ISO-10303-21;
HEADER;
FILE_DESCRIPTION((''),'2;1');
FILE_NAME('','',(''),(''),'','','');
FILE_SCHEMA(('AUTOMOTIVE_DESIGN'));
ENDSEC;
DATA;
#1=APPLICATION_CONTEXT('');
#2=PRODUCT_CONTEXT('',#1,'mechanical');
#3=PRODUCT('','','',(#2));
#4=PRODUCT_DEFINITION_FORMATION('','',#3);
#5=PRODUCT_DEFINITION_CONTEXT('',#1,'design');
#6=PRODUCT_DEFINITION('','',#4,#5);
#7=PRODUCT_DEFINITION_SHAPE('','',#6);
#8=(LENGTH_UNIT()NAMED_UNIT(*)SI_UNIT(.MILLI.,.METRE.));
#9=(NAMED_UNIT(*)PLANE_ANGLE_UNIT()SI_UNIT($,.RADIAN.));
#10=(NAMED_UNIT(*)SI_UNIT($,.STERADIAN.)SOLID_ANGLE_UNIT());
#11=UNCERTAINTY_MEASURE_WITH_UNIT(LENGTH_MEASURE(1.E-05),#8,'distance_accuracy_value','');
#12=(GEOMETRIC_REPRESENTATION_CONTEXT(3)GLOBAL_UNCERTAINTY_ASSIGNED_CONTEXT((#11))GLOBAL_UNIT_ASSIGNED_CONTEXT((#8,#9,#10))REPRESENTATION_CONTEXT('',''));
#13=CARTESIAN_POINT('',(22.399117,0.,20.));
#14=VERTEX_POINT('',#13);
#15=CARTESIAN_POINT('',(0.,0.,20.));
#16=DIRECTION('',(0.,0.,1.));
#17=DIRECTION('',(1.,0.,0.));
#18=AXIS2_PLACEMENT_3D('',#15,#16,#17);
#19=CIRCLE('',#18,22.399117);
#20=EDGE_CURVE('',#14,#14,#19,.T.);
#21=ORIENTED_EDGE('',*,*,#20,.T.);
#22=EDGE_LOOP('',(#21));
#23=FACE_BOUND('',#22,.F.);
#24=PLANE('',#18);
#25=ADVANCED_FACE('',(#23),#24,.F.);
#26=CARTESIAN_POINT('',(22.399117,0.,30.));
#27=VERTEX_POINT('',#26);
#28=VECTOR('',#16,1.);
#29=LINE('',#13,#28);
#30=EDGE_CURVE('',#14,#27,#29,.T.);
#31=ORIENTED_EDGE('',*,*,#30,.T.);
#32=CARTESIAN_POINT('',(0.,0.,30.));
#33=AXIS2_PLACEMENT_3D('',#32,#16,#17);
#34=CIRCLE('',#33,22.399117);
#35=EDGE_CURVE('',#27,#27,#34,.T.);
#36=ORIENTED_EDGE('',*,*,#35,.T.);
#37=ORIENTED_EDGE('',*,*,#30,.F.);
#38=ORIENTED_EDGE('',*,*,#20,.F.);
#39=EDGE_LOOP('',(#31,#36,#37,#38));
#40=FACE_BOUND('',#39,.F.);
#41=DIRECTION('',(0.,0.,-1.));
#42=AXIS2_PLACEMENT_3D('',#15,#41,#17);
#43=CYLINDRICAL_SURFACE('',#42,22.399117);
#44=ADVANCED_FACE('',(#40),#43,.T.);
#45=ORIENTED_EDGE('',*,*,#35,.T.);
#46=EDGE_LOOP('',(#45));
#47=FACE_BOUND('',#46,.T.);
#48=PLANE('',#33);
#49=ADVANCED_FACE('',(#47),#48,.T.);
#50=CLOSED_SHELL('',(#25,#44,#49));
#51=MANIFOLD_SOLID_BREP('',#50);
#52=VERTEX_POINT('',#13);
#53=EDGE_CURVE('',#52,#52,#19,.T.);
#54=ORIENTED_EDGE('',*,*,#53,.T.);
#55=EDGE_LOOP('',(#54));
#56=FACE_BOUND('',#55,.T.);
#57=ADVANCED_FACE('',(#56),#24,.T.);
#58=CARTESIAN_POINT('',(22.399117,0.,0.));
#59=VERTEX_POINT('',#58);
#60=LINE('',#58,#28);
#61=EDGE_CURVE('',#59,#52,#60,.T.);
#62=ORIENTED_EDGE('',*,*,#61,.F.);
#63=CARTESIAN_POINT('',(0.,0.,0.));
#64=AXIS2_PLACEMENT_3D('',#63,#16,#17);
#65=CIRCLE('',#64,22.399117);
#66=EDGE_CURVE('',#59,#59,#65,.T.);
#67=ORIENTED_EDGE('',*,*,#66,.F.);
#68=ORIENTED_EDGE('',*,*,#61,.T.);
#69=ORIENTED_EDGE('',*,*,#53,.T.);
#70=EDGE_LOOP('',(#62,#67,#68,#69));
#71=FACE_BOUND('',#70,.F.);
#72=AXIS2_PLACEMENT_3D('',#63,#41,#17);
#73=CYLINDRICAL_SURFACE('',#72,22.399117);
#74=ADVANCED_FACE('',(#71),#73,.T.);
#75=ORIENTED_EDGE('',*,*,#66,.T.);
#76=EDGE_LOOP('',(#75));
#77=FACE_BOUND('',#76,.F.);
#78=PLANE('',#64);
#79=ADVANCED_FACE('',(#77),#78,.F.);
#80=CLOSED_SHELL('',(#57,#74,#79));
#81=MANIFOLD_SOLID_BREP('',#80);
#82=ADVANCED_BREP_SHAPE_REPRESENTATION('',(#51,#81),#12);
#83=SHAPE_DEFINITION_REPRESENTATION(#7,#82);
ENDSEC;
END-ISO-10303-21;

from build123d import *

# Parameters (mm, degrees)
F0_R      = 22.399117
F1_DEPTH  = 20
F1_FACE_R = 22.399117
F2_DEPTH  = 10


with BuildPart() as f1:
    # F0 (on Top) → F1 (new body)
    with BuildSketch(Plane.XY):
        Circle(F0_R)
    extrude(amount=F1_DEPTH)


with BuildPart() as f2:
    # F1_face (on face) → F2 (new body)
    with BuildSketch(Plane.XY.offset(20)):
        Circle(F1_FACE_R)
    extrude(amount=F2_DEPTH)


solid = Compound([f1.part, f2.part])
